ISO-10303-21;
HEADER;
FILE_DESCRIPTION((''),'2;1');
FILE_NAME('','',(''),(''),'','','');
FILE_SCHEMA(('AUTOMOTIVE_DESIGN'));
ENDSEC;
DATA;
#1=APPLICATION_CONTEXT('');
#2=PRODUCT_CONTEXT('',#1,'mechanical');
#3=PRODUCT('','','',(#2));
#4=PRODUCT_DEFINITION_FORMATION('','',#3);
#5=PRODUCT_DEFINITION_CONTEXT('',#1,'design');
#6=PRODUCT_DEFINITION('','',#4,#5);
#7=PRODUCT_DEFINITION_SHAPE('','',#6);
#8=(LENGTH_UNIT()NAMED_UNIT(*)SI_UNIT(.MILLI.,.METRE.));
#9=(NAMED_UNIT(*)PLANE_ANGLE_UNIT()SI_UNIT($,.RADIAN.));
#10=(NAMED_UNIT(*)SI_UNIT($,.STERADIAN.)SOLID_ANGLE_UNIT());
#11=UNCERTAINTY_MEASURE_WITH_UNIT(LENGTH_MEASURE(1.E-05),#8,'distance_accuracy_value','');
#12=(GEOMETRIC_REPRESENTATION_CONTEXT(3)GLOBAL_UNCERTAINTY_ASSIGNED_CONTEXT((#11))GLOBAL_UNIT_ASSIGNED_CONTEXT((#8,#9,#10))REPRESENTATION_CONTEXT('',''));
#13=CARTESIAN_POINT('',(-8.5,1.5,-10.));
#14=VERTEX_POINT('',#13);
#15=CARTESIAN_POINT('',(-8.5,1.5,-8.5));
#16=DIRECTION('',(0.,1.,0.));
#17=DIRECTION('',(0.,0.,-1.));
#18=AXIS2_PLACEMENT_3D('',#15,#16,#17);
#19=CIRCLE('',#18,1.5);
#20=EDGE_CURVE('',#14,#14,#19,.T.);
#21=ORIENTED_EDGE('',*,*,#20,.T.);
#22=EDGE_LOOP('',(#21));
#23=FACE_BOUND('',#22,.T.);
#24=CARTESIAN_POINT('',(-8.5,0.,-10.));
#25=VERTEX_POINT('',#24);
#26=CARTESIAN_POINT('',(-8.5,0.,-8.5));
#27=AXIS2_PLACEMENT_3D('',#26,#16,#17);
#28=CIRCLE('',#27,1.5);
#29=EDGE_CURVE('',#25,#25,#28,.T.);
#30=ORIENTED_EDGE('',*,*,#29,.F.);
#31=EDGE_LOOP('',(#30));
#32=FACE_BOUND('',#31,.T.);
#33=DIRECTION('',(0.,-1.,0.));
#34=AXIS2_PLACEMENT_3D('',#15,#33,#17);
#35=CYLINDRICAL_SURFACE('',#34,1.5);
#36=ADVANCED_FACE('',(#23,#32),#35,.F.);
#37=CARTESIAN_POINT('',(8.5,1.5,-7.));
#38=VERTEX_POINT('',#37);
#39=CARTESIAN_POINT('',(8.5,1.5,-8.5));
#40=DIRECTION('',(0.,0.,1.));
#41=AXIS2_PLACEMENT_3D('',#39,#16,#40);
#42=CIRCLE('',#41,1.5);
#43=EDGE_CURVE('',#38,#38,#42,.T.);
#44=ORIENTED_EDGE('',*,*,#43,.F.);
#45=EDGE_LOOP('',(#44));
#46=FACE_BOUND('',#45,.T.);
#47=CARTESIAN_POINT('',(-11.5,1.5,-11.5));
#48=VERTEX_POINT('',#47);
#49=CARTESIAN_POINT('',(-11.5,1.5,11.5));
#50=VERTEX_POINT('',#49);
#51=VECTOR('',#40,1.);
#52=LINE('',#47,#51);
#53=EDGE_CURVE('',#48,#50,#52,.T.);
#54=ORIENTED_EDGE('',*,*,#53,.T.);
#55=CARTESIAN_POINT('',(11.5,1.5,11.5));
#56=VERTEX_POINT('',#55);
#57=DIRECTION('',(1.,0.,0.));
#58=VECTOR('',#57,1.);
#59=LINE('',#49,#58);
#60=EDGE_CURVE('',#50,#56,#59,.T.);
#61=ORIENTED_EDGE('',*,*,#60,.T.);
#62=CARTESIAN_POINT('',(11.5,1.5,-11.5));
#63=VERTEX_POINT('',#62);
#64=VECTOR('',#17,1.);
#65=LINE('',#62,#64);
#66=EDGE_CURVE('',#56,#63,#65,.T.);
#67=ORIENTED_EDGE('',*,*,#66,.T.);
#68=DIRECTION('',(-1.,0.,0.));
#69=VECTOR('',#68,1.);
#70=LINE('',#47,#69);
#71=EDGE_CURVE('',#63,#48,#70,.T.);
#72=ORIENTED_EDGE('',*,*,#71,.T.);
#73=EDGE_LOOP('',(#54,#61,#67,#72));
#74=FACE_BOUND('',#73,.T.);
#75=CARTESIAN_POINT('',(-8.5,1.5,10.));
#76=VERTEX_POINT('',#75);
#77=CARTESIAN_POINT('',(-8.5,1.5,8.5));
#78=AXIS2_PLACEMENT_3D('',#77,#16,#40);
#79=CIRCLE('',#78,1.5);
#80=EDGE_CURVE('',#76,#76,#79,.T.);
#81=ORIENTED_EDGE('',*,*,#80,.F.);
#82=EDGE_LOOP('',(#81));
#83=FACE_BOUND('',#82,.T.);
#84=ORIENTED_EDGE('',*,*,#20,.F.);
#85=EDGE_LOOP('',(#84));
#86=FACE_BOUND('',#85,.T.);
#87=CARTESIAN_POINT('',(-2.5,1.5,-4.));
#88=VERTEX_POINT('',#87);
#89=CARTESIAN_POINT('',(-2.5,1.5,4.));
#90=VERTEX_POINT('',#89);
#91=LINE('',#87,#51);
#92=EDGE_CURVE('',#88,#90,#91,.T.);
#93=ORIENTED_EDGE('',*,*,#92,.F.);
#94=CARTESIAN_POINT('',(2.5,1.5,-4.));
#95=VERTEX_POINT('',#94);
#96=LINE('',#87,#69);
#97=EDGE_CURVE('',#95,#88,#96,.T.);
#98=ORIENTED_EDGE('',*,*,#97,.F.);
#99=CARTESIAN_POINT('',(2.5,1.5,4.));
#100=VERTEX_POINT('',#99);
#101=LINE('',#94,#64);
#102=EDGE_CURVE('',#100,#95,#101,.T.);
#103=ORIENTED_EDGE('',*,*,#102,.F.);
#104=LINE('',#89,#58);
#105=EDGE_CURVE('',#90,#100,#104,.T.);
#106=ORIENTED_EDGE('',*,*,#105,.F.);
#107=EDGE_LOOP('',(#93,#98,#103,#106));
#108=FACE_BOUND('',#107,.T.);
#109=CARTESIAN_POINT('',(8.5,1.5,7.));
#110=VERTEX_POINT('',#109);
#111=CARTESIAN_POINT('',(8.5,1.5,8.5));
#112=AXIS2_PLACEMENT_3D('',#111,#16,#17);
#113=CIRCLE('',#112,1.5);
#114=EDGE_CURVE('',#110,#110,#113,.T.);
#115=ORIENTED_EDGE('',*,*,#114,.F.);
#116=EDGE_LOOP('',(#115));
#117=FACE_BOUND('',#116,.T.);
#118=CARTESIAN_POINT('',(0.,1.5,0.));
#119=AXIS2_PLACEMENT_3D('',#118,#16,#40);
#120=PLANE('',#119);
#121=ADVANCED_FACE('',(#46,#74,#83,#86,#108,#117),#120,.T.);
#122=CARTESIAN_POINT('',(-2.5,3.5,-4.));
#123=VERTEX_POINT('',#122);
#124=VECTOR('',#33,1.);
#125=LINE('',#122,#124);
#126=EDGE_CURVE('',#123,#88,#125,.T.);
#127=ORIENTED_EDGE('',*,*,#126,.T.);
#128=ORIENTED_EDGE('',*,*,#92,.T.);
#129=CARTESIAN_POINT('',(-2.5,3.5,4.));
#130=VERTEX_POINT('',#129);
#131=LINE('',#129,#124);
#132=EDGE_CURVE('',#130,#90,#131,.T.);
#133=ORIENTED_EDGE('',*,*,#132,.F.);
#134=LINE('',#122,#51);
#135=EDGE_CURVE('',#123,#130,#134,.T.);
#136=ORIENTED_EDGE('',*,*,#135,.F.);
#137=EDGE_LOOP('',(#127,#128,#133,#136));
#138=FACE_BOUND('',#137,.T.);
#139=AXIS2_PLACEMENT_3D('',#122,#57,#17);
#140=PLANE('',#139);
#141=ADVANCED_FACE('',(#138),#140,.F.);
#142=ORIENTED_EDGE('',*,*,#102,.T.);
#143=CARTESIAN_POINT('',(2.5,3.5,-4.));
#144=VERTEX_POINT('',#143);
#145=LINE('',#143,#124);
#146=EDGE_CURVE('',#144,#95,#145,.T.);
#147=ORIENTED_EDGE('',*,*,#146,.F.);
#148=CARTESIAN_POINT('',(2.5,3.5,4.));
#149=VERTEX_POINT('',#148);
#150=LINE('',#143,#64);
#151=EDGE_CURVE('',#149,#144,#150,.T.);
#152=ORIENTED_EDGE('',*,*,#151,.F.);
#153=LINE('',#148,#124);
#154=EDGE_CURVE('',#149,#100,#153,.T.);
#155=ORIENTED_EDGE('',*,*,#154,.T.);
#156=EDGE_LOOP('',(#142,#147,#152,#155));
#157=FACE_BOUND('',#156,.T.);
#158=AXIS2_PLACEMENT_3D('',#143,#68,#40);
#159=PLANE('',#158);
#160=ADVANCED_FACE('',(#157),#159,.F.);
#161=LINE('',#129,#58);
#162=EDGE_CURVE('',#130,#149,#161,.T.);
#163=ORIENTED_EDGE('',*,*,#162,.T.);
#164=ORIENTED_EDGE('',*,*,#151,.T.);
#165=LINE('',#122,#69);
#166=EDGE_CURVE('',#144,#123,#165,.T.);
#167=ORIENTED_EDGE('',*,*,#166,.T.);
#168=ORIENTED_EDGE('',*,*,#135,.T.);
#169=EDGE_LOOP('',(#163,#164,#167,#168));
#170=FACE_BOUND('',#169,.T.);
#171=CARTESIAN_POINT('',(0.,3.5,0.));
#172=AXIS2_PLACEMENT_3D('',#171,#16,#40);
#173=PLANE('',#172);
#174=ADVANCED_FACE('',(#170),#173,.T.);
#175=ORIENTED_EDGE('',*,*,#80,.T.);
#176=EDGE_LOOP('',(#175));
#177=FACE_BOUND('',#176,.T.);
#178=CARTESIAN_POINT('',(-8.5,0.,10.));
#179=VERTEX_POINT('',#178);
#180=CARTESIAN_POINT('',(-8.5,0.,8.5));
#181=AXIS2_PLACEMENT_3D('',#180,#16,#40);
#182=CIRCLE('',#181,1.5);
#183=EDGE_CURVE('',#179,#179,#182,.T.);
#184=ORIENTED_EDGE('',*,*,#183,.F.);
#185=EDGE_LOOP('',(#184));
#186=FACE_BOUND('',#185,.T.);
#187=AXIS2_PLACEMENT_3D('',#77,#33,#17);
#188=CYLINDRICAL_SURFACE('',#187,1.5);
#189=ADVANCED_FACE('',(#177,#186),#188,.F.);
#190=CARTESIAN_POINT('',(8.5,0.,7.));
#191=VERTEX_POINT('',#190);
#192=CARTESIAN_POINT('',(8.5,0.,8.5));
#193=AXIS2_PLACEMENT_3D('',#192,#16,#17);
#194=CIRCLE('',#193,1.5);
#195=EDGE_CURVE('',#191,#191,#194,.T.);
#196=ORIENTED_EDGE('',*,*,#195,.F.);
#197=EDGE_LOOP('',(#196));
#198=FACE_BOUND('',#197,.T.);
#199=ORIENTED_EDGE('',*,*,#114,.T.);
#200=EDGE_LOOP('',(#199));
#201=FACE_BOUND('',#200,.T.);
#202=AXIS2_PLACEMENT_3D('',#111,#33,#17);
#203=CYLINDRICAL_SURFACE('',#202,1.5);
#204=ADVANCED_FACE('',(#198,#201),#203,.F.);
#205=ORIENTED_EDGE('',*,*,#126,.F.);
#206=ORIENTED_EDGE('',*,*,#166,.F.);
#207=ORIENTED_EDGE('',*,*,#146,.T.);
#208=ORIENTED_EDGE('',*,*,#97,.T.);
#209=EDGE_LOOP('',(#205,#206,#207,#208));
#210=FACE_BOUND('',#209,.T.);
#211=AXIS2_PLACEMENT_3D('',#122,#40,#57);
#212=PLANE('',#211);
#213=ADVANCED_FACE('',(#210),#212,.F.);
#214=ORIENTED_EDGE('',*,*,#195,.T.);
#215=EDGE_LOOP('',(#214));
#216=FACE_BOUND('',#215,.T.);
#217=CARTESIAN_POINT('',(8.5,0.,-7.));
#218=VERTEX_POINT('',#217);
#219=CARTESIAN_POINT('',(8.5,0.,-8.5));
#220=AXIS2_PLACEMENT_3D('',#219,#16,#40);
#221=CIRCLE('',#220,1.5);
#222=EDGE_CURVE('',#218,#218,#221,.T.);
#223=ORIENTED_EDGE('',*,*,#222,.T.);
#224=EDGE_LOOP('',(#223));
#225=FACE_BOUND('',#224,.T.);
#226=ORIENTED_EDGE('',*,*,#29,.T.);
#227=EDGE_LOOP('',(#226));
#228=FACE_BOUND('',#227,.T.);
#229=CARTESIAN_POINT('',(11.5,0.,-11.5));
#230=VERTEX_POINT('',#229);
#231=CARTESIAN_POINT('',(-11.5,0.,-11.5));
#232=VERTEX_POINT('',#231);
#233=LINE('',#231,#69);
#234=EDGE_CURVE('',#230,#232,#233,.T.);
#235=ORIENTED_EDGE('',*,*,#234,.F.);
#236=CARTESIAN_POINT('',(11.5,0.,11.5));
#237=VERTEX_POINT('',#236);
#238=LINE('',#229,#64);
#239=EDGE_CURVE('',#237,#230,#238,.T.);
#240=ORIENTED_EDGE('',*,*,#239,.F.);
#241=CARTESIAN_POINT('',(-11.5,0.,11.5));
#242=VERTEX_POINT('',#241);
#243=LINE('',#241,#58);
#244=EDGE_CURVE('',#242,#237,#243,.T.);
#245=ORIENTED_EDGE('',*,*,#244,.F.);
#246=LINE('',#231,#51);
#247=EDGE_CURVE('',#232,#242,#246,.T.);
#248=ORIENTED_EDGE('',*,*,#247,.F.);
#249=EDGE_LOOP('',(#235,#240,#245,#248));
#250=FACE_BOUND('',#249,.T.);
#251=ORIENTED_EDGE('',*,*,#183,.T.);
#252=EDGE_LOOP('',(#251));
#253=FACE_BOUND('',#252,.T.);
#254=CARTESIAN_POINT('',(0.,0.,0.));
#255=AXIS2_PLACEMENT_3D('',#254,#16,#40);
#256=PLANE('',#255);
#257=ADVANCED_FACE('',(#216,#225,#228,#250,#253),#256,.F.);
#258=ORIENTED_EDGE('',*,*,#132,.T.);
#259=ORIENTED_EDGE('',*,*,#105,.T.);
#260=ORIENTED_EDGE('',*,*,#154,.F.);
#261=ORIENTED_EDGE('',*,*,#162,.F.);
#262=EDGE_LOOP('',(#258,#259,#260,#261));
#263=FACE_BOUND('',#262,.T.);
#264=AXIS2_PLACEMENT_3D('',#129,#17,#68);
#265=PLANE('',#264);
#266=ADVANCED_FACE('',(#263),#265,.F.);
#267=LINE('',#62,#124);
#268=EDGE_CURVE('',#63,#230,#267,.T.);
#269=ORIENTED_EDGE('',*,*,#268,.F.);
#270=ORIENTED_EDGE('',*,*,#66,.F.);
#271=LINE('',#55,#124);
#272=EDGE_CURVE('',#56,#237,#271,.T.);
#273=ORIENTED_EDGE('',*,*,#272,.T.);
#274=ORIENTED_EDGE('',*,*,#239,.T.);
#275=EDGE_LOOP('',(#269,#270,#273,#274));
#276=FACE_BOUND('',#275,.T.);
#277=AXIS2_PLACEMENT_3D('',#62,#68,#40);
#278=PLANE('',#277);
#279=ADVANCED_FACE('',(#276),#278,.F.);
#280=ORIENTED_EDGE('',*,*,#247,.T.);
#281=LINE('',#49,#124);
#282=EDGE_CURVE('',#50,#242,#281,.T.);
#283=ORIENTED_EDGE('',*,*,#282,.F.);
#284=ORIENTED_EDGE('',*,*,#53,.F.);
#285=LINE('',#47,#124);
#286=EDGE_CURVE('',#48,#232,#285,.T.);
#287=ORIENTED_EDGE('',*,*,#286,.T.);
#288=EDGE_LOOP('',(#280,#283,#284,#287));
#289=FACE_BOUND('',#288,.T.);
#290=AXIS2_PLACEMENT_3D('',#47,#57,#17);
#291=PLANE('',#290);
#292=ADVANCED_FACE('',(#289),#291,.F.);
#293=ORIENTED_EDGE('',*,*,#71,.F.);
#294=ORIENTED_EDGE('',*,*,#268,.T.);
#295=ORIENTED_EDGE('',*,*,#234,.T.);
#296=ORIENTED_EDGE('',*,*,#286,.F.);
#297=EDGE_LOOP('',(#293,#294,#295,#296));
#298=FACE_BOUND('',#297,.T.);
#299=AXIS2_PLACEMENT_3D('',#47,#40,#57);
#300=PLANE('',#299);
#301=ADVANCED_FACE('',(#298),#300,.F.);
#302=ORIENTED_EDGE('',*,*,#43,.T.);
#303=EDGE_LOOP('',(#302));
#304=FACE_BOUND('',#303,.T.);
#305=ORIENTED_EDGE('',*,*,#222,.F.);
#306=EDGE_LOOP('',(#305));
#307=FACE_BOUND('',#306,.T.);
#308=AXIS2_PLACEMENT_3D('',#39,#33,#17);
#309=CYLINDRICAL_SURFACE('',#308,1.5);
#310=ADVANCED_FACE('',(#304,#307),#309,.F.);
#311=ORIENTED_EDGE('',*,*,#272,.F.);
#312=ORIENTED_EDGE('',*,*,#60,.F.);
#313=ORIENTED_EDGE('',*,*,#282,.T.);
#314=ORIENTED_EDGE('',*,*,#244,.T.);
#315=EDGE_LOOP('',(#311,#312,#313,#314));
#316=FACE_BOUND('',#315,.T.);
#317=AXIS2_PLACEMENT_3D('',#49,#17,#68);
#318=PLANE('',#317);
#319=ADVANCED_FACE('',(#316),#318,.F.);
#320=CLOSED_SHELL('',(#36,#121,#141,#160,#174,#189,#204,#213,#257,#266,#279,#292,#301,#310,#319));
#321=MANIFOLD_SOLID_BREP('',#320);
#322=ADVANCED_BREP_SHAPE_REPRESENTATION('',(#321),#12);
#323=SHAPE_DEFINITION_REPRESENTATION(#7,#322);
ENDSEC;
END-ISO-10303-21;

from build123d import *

# Parameters (mm, degrees)
SKETCH_1_W      = 23
SKETCH_1_H      = 23
SKETCH_1_R      = 1.5
EXTRUDE_1_DEPTH = 1.5
SKETCH_2_W      = 5
SKETCH_2_H      = 8
EXTRUDE_2_DEPTH = 2


with BuildPart() as part:
    # 草图1 → 凸台-拉伸1 (new body)
    with BuildSketch(Plane(origin=(0, 0, 0), x_dir=(1, 0, 0), z_dir=(0, 1, 0))):
        Rectangle(SKETCH_1_W, SKETCH_1_H)
        with Locations(Location((8.5, 8.5, 0), (0, 0, 270))):
            Circle(SKETCH_1_R, mode=Mode.SUBTRACT)
        with Locations(Location((8.5, -8.5, 0), (0, 0, 90))):
            Circle(SKETCH_1_R, mode=Mode.SUBTRACT)
        with Locations(Location((-8.5, -8.5, 0), (0, 0, 270))):
            Circle(SKETCH_1_R, mode=Mode.SUBTRACT)
        with Locations(Location((-8.5, 8.5, 0), (0, 0, 90))):
            Circle(SKETCH_1_R, mode=Mode.SUBTRACT)
    extrude(amount=EXTRUDE_1_DEPTH)

    # 草图2 → 凸台-拉伸2 (add)
    with BuildSketch(Plane(origin=(0, 1.5, 0), x_dir=(1, 0, 0), z_dir=(0, 1, 0))):
        Rectangle(SKETCH_2_W, SKETCH_2_H)
    extrude(amount=EXTRUDE_2_DEPTH)


solid = part.part
